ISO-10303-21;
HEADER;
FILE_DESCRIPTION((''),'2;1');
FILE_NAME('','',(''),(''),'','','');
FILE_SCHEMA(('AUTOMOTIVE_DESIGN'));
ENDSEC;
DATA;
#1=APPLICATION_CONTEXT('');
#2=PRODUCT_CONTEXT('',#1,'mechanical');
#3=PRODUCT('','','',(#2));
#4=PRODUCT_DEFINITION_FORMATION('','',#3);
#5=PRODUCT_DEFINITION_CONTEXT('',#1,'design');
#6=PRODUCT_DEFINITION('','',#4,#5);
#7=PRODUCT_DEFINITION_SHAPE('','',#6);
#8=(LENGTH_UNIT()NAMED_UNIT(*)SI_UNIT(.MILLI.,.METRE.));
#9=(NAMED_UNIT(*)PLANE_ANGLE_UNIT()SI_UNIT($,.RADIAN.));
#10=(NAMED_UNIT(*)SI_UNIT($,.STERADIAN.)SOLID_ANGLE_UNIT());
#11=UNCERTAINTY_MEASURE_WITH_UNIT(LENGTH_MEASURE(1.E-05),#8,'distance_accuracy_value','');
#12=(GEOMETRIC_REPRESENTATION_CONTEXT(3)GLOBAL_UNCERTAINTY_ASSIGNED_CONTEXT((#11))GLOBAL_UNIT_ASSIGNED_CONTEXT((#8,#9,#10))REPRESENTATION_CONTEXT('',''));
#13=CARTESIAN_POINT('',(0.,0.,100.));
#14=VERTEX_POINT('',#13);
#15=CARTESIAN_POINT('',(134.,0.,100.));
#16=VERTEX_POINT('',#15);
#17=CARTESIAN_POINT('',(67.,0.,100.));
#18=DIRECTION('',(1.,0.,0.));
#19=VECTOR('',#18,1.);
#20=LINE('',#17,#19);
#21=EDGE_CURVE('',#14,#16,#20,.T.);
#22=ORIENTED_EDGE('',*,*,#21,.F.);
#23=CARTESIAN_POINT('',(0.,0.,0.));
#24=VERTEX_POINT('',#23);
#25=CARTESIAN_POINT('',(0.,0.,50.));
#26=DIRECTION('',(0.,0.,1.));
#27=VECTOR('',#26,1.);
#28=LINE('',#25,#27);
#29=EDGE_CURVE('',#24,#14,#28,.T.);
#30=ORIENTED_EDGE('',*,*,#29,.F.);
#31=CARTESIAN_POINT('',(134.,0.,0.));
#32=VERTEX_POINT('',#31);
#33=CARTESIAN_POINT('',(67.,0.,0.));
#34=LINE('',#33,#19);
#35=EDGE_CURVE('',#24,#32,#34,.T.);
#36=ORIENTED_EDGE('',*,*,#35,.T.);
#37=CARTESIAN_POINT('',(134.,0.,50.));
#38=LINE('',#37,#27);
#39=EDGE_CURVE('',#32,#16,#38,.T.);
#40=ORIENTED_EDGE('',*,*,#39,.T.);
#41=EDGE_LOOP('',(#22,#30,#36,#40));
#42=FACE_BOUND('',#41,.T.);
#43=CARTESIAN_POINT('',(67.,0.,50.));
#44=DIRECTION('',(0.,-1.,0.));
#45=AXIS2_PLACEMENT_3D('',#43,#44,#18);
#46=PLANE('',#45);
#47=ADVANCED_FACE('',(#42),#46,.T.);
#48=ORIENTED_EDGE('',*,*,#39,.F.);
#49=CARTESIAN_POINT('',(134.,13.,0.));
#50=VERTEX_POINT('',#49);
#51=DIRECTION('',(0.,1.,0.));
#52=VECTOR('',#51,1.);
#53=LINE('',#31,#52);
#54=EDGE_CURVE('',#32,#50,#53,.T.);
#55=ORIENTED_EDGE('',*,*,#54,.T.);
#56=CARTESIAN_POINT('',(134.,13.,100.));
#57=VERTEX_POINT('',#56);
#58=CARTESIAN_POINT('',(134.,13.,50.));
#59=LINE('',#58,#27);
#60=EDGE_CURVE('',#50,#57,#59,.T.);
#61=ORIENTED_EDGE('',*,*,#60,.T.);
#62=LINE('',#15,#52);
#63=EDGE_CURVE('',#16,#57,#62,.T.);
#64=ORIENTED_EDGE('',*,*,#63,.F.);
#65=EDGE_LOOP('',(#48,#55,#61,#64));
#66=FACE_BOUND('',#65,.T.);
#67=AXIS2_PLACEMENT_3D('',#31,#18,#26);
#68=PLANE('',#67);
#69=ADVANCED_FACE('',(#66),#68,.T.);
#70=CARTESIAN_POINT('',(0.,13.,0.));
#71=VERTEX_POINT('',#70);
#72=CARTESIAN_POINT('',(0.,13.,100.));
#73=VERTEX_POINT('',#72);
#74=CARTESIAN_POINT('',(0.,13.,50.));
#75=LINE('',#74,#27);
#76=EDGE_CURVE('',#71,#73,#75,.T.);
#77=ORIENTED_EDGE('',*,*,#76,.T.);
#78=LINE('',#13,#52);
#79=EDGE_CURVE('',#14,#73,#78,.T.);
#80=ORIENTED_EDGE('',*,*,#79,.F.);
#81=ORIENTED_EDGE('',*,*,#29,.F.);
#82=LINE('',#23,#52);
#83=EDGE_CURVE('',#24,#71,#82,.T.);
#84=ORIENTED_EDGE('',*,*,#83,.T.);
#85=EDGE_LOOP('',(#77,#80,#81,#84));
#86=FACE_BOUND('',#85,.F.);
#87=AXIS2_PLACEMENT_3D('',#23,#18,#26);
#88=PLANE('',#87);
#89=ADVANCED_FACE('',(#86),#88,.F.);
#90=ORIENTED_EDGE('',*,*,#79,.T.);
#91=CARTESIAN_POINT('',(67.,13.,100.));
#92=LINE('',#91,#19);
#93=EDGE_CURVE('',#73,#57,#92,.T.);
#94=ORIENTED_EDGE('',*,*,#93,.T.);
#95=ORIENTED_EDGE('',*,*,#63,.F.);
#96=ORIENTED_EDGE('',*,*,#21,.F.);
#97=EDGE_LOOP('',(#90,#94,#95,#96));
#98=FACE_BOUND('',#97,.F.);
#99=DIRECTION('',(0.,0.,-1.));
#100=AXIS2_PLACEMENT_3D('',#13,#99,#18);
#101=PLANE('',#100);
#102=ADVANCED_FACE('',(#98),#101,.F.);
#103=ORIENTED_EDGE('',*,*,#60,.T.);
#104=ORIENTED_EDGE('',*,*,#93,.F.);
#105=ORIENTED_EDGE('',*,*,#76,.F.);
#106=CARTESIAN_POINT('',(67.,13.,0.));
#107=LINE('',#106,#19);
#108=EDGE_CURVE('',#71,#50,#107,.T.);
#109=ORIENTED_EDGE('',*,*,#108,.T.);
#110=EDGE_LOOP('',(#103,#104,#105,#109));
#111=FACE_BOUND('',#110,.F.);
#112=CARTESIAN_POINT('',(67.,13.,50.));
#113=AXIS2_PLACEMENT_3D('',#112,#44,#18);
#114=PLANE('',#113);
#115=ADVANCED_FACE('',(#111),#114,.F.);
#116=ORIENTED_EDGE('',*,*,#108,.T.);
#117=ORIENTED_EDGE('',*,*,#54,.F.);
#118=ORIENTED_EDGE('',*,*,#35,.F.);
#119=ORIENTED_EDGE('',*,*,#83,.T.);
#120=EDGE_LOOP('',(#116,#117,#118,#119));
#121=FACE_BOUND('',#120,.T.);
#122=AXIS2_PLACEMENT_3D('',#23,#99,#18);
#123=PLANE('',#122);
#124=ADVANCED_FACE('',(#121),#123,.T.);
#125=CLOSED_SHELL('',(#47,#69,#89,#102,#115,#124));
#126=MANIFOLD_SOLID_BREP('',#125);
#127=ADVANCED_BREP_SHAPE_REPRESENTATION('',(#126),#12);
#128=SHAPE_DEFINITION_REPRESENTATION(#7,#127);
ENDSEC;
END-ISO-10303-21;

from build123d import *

# Parameters (mm, degrees)
SKETCH_W  = 134
SKETCH_H  = 100
PAD_DEPTH = 13


with BuildPart() as part:
    # Sketch → Pad (new body)
    with BuildSketch(Plane.XZ):
        with Locations((67, 50)):
            Rectangle(SKETCH_W, SKETCH_H)
    extrude(amount=-PAD_DEPTH)


solid = part.part
